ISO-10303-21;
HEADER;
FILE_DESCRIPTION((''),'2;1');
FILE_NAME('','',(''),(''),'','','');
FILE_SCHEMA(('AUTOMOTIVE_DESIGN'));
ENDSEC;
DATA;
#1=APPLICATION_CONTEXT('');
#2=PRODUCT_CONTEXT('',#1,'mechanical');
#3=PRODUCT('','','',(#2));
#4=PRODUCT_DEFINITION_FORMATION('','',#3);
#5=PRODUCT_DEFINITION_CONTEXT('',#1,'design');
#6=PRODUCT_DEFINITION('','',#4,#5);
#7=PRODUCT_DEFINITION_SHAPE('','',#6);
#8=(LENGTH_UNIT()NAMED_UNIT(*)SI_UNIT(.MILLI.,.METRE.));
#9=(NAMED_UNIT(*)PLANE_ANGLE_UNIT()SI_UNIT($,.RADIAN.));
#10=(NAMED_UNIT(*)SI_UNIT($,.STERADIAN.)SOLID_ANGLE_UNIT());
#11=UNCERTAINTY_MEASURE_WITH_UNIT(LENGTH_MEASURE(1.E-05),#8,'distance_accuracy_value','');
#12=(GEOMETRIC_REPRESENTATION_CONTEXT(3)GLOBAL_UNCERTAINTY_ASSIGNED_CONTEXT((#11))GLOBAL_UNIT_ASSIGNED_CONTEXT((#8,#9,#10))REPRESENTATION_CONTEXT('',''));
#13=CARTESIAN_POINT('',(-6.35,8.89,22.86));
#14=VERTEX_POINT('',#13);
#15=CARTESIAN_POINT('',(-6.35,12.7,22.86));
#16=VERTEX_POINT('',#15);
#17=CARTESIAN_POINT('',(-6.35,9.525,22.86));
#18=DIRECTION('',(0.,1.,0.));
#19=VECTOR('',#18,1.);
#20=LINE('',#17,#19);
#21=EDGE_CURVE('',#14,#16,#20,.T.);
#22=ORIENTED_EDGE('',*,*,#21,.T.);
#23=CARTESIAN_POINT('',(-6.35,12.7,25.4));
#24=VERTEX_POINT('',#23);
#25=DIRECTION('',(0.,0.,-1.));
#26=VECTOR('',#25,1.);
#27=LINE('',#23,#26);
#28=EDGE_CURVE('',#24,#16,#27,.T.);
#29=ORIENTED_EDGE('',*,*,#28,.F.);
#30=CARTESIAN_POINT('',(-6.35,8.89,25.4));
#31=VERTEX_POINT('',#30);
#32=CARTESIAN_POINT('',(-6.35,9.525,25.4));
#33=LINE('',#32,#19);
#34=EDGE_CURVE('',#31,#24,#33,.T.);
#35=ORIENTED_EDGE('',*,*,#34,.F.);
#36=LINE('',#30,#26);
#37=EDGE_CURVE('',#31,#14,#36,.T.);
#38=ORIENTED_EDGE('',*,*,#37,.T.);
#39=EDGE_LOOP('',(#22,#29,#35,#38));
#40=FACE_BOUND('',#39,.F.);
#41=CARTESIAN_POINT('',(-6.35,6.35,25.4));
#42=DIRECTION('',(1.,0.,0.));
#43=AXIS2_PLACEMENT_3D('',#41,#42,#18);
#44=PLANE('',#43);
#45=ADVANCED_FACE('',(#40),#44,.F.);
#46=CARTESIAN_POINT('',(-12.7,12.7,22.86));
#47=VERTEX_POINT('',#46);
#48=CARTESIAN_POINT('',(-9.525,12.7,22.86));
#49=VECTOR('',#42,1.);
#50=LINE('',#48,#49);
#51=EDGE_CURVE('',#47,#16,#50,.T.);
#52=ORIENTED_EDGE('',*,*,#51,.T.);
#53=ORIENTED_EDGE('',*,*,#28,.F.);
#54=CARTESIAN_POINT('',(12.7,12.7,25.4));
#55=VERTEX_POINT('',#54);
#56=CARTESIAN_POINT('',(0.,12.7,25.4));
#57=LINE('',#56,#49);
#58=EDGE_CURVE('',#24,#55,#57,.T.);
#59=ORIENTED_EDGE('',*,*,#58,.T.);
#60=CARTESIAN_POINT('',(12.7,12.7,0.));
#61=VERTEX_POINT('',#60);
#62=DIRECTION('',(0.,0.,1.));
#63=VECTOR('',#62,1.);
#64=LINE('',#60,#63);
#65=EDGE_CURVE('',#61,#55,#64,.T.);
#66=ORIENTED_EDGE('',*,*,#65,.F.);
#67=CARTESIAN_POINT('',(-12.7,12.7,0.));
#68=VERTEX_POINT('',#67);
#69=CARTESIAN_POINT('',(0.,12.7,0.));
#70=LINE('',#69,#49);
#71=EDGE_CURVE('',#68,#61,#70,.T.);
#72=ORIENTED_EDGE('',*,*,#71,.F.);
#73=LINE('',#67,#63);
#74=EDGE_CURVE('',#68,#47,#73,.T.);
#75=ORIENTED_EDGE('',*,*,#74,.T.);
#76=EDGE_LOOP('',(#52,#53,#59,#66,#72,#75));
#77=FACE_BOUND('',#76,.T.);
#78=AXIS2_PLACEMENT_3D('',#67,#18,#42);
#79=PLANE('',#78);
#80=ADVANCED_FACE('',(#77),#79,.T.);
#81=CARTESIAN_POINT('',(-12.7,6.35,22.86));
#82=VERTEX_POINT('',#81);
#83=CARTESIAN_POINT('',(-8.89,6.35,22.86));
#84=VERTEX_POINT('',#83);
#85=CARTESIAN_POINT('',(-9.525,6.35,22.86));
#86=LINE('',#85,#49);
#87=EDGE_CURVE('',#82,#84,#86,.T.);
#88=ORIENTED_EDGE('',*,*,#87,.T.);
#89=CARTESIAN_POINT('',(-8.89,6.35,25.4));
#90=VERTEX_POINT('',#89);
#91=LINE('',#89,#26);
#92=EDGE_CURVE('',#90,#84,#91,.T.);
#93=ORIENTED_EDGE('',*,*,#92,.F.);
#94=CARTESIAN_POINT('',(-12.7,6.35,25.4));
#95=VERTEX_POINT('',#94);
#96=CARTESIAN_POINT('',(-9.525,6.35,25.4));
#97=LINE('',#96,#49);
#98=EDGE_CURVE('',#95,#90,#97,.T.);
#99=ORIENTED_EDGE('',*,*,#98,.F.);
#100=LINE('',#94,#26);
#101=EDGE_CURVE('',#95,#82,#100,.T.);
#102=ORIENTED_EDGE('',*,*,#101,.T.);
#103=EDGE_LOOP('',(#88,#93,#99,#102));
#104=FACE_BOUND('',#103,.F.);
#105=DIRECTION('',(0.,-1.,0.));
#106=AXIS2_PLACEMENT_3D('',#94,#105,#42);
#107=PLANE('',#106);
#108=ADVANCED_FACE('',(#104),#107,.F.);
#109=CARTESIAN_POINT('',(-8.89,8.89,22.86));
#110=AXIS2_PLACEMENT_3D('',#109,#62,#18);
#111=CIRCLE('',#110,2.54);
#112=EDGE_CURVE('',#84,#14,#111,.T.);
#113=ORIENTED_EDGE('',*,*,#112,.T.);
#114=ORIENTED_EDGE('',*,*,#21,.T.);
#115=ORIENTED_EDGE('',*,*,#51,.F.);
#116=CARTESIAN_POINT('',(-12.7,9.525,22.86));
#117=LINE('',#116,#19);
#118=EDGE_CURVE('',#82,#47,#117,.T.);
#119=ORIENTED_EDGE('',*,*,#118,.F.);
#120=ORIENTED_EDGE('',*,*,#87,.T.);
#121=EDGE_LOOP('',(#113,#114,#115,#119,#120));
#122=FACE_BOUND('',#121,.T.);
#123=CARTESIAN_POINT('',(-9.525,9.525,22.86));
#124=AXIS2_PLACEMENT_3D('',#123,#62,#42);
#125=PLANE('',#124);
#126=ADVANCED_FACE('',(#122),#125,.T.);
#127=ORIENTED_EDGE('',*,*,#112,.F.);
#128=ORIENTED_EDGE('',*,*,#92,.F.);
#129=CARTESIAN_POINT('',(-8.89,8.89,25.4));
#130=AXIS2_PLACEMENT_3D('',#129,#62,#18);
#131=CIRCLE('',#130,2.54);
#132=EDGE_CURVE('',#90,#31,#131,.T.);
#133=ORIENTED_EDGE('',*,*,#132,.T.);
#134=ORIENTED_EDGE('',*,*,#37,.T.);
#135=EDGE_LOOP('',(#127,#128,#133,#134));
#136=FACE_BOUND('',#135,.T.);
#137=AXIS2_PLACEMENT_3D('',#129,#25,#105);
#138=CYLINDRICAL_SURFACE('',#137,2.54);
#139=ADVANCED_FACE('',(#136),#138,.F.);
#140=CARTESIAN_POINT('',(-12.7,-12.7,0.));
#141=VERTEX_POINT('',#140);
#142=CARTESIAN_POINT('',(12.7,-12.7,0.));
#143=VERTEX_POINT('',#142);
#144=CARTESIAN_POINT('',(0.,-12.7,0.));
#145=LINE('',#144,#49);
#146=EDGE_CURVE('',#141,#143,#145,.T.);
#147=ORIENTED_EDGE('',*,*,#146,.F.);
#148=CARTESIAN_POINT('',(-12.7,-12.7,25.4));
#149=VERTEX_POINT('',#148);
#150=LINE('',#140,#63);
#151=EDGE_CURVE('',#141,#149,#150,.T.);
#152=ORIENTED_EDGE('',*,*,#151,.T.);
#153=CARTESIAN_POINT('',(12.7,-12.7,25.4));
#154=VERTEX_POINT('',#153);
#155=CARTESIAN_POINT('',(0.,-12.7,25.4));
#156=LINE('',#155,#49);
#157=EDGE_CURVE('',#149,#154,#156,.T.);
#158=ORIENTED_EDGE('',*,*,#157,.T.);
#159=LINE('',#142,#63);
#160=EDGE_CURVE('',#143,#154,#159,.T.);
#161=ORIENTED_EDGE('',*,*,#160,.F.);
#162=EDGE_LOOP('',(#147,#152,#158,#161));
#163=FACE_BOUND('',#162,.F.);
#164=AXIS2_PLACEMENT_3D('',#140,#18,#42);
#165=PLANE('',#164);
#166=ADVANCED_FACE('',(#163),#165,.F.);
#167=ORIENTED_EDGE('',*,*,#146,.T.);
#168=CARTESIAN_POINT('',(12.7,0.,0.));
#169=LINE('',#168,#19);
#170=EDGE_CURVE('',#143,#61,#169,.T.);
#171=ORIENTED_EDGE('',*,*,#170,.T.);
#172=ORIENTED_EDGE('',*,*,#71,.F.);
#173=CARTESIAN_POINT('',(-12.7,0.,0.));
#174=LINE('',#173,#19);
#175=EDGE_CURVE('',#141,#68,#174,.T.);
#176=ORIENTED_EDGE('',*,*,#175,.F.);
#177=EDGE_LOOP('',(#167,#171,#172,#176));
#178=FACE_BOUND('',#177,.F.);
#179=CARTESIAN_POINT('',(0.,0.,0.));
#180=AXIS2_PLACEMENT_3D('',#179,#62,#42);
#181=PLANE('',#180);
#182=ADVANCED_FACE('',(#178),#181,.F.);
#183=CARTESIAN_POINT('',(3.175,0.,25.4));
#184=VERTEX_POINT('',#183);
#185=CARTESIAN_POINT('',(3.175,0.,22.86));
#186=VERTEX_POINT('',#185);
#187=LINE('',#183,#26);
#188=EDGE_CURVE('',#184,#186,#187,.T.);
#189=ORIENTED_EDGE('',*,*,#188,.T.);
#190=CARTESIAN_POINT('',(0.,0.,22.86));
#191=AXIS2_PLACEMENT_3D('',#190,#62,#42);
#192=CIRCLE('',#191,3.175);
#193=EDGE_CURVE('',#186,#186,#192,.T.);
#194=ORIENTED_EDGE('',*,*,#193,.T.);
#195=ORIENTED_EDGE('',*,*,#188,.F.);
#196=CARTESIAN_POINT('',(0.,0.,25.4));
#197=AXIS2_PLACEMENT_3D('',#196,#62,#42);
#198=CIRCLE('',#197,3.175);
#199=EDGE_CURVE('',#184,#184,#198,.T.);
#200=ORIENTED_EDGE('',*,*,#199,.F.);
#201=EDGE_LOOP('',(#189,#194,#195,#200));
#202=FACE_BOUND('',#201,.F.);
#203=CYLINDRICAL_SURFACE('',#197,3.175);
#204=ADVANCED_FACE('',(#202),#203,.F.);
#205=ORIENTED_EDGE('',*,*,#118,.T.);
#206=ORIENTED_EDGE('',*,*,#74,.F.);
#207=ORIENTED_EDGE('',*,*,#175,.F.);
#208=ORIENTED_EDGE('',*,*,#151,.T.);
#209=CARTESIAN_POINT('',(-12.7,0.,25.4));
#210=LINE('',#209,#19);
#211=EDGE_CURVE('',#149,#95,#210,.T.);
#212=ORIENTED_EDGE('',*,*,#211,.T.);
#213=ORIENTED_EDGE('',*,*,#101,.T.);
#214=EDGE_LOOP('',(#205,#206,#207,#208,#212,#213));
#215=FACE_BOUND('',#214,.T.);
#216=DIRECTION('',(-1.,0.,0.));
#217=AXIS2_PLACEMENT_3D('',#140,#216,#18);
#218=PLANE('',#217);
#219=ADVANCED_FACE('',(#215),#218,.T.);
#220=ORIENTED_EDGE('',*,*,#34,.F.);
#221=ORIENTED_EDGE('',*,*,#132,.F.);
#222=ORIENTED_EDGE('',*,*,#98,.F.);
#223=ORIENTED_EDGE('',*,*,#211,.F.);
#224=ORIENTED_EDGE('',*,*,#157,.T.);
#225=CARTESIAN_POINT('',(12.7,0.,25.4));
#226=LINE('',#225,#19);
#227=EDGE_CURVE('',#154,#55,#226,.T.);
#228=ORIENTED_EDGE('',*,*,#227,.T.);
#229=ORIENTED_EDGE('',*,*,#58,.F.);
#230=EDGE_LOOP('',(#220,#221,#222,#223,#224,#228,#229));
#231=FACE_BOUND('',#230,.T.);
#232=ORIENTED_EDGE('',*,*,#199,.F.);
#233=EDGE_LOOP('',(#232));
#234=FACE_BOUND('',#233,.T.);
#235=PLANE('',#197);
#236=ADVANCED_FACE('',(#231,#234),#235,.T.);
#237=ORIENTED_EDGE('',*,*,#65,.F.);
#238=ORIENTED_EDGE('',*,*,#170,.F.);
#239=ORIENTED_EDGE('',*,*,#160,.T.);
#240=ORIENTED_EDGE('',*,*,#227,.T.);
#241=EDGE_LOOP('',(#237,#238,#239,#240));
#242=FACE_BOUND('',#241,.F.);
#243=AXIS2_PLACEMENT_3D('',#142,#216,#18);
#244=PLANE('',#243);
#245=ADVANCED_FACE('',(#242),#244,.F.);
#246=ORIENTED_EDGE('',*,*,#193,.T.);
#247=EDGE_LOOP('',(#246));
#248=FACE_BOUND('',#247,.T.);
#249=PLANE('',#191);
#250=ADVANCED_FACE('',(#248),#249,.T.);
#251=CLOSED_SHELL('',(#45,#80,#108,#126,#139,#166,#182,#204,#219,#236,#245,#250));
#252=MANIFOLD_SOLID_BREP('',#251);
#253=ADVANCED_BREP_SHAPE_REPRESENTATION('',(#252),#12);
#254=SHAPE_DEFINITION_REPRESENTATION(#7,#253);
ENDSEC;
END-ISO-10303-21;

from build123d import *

# Parameters (mm, degrees)
F0_W     = 25.4
F0_H     = 25.4
F1_DEPTH = 25.4
F2_W     = 6.35
F2_H     = 6.35
F2_R     = 3.175
F3_DEPTH = 2.54
F4_R     = 2.54


with BuildPart() as f1:
    # F0 (on Top) → F1 (new body)
    with BuildSketch(Plane.XY):
        Rectangle(F0_W, F0_H)
    extrude(amount=F1_DEPTH)

    # F2 (on face) → F3 (cut)
    with BuildSketch(Plane.XY.offset(25.4)):
        with Locations((-9.525, 9.525)):
            Rectangle(F2_W, F2_H)
        Circle(F2_R)
    extrude(amount=-F3_DEPTH, mode=Mode.SUBTRACT)

    # F4
    f4_edges = [f1.edges().sort_by_distance(p)[0] for p in [
        (-6.35, 6.35, 24.13),
    ]]
    fillet(f4_edges, radius=F4_R)


solid = f1.part
